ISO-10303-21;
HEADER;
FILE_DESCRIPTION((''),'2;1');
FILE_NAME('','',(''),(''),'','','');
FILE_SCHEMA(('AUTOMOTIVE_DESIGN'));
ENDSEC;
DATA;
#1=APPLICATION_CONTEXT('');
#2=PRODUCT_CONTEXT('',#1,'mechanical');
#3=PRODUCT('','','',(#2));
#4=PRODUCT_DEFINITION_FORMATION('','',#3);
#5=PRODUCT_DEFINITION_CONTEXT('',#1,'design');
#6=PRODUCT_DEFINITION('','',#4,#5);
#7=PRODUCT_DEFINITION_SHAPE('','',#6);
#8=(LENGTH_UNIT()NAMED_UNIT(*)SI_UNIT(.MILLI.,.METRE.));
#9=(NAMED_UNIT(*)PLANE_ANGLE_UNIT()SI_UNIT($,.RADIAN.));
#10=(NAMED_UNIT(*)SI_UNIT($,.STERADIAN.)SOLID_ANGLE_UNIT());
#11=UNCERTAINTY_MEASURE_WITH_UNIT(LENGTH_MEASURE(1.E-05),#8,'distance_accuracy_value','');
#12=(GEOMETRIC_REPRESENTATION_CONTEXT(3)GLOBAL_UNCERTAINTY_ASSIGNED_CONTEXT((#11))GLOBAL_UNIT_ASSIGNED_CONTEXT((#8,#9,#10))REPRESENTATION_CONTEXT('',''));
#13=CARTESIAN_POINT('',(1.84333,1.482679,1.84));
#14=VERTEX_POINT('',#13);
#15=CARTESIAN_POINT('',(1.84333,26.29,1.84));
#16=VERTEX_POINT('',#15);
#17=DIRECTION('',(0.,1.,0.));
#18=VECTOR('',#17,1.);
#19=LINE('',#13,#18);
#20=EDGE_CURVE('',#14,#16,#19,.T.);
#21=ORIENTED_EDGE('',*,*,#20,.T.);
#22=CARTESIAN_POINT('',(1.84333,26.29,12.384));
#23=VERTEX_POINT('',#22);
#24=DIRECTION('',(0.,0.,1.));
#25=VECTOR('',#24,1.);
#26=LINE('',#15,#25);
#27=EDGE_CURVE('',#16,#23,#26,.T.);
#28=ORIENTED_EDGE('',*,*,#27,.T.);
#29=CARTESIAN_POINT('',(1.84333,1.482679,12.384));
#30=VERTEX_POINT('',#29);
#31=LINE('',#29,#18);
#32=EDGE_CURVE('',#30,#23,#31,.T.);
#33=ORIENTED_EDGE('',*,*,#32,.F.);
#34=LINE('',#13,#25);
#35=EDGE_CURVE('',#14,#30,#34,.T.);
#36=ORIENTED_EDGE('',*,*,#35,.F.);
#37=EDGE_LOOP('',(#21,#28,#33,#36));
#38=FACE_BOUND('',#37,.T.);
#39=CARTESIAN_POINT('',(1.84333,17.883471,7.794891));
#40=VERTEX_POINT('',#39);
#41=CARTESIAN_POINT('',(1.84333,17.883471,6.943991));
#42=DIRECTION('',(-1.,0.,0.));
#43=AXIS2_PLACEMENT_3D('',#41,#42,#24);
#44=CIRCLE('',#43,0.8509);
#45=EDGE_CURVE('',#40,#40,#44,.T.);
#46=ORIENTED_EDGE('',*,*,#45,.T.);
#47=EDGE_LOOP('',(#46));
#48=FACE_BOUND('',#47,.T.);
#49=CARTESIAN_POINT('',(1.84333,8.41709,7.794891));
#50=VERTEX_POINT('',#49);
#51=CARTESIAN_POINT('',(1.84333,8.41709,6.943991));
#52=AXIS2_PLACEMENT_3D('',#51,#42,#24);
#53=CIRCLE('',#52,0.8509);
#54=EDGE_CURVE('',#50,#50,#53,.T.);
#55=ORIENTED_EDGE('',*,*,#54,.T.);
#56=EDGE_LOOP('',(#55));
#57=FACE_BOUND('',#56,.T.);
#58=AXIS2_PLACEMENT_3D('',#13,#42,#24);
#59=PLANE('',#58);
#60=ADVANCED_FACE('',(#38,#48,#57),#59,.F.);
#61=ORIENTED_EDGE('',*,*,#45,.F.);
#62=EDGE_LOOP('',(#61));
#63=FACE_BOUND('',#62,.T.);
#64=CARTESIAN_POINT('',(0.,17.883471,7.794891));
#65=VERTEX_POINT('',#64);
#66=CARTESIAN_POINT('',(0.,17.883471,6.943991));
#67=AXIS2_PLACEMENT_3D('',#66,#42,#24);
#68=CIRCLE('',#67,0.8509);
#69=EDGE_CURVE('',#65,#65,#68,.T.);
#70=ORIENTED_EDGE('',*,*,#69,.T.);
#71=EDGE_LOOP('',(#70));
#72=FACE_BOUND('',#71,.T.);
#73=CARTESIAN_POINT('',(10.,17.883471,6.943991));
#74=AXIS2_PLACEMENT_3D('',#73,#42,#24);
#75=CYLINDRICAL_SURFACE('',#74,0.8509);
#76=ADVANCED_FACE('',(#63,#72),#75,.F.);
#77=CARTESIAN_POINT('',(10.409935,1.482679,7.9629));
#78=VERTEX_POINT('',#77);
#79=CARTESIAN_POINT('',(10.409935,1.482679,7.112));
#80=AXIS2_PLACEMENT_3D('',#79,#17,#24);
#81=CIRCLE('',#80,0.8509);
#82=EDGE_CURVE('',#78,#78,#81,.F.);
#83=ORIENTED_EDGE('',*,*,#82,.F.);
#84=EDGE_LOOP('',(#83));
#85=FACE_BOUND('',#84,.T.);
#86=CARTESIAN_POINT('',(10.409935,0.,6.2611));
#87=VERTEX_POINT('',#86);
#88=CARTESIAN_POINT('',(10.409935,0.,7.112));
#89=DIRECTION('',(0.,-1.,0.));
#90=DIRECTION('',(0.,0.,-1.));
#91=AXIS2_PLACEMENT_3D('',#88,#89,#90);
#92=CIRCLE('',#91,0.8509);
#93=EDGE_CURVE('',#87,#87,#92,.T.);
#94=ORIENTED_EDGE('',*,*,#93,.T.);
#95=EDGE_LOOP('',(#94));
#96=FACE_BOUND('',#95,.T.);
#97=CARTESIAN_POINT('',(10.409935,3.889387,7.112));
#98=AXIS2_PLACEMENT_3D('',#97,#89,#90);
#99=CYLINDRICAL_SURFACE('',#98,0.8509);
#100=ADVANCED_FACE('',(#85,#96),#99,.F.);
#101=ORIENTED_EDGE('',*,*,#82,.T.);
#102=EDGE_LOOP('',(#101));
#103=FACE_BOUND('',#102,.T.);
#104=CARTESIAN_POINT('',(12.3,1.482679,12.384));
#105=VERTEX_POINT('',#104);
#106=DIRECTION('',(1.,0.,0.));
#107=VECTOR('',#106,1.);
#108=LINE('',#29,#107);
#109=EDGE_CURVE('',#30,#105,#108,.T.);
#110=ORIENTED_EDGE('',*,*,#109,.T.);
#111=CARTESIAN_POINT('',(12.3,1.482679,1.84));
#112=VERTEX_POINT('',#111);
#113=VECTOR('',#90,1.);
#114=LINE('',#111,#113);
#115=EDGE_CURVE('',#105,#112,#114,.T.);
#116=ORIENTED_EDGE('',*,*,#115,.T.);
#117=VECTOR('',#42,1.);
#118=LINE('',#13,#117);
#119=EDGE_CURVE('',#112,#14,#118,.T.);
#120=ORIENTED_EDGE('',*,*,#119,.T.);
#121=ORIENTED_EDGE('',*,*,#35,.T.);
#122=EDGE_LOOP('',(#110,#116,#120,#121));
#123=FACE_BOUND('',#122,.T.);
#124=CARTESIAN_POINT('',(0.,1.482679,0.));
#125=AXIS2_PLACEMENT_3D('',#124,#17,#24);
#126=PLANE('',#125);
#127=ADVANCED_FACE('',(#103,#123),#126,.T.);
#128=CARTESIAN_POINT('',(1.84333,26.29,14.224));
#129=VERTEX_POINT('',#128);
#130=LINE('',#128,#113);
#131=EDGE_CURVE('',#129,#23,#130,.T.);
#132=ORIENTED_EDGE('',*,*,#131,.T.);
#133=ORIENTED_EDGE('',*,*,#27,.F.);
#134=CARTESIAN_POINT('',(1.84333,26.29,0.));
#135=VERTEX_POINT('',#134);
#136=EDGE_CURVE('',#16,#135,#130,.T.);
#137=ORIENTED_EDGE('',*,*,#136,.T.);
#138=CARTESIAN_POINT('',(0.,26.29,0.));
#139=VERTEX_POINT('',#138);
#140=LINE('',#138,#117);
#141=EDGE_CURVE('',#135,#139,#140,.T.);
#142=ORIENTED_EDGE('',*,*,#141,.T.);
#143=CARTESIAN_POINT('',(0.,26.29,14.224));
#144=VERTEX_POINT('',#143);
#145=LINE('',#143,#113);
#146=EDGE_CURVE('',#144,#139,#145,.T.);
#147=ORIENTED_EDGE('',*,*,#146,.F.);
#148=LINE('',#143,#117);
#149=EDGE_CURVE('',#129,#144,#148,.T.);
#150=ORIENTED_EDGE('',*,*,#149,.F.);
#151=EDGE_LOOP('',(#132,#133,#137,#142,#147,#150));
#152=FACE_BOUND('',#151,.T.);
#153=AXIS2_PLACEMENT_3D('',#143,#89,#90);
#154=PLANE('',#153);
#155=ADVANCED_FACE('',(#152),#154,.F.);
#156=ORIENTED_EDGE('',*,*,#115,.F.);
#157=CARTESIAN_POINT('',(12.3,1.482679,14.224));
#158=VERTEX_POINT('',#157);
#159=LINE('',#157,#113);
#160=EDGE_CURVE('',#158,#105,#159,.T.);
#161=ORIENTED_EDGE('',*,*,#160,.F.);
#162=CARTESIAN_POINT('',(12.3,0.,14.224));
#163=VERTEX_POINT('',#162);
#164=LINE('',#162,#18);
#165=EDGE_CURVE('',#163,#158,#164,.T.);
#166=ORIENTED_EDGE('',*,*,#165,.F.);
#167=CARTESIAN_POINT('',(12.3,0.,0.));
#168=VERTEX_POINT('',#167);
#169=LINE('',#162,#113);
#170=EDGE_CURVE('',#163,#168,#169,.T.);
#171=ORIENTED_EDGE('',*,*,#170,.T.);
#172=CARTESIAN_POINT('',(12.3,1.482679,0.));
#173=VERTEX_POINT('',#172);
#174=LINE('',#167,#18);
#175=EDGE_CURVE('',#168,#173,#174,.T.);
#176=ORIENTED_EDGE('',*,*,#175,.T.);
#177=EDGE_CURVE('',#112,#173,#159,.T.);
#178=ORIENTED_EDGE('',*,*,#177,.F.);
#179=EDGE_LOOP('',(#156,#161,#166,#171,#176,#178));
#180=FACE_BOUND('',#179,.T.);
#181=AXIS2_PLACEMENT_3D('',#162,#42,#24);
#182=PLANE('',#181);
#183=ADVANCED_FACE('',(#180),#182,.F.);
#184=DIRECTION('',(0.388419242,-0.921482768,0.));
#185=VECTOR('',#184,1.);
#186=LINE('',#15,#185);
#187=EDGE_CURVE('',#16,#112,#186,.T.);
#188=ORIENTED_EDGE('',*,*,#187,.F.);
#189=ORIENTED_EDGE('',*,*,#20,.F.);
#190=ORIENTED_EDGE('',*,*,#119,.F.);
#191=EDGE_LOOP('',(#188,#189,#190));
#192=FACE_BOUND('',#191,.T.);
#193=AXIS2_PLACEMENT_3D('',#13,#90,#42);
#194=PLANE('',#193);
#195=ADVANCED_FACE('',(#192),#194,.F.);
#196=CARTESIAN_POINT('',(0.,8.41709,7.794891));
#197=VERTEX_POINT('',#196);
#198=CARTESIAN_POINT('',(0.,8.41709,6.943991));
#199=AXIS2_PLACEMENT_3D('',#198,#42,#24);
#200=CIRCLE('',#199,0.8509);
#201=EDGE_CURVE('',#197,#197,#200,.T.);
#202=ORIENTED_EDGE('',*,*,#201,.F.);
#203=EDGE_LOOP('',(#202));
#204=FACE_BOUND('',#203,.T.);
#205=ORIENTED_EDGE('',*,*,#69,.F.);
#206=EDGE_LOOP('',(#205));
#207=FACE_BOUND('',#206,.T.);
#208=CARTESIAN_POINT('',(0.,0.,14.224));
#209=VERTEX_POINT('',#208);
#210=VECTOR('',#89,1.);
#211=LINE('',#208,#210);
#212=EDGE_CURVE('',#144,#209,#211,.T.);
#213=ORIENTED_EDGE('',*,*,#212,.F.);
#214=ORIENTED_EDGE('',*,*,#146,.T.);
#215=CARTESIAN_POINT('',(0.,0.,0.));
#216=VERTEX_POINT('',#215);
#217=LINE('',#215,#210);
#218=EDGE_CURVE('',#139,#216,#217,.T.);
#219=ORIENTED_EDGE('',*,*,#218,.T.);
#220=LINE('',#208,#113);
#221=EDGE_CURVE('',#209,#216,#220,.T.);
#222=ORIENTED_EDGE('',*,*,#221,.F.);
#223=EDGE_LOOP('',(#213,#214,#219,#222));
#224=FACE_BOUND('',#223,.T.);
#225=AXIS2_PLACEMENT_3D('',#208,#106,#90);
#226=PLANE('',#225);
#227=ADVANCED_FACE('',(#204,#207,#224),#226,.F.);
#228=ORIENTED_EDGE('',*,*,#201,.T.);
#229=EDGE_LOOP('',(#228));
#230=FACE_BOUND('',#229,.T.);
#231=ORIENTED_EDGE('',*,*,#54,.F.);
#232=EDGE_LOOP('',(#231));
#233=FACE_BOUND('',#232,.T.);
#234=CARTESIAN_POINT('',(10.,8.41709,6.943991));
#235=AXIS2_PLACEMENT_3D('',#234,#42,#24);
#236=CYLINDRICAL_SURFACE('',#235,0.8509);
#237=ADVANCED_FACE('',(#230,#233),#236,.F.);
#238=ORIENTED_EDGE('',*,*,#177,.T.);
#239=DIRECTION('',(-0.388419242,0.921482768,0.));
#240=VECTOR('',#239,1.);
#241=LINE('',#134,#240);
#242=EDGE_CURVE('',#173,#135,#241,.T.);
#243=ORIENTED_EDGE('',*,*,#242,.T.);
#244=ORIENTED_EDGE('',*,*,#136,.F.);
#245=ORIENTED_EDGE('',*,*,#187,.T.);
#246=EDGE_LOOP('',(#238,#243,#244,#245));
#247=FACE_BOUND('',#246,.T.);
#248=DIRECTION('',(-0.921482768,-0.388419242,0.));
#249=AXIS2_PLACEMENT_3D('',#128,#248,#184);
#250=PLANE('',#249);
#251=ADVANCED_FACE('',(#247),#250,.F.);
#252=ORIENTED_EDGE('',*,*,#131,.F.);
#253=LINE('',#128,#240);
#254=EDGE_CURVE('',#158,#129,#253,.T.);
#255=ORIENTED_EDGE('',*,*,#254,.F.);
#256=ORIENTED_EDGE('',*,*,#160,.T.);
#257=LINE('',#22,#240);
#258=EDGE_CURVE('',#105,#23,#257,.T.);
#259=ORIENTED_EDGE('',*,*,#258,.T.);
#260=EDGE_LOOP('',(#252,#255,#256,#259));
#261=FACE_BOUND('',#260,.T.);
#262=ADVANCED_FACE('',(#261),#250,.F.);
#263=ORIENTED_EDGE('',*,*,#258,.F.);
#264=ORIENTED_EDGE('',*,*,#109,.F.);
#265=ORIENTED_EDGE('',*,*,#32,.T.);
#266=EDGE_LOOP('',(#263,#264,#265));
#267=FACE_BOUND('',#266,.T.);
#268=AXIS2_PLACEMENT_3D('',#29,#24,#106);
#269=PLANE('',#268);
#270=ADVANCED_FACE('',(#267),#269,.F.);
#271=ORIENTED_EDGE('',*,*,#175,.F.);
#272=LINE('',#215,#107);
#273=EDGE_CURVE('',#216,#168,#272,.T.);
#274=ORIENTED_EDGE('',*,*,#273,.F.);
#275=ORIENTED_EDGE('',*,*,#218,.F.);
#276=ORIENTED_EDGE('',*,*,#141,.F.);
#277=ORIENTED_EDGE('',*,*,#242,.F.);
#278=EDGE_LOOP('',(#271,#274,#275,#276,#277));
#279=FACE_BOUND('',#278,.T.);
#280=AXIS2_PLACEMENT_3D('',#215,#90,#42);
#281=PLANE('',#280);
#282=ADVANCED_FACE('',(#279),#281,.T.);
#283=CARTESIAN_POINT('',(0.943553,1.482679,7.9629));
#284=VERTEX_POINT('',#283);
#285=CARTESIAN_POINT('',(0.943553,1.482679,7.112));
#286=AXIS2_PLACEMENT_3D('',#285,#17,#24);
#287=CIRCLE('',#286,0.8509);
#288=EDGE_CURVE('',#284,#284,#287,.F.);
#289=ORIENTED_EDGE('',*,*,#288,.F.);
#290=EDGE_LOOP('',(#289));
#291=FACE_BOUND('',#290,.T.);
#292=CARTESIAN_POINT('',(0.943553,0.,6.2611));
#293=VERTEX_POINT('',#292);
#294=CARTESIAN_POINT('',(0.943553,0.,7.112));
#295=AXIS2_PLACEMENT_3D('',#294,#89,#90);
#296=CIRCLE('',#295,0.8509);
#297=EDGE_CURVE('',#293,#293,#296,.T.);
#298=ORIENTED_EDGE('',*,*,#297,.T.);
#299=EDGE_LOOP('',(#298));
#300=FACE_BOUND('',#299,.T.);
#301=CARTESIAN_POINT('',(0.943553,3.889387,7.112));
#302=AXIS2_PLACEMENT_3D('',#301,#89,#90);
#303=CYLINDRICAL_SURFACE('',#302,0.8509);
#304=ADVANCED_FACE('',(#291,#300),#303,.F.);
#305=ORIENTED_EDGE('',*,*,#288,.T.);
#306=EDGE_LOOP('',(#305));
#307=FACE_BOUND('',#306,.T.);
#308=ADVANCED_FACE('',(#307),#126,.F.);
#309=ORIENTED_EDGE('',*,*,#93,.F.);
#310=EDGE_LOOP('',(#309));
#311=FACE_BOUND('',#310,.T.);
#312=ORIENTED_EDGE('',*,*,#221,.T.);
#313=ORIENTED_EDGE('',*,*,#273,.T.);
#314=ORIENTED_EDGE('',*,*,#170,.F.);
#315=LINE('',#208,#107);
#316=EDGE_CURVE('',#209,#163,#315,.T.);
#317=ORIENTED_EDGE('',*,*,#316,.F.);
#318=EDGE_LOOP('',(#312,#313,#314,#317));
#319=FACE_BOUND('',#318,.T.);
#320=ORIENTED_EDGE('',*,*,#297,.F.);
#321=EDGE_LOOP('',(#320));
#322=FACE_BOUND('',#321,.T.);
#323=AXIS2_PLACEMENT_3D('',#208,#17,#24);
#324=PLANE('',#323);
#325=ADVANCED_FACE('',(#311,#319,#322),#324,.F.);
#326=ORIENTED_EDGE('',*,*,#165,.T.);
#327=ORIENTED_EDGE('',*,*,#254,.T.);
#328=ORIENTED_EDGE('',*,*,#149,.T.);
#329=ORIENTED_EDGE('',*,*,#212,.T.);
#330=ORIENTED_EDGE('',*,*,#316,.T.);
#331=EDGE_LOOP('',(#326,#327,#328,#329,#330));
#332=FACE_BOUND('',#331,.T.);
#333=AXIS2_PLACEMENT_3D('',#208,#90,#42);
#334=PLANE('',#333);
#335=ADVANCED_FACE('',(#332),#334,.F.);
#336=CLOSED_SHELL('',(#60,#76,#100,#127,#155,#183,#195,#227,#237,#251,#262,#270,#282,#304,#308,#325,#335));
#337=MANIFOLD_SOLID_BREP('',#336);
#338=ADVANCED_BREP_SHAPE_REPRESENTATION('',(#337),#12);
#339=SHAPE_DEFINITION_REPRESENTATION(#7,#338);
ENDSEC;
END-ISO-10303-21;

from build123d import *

# Parameters (mm, degrees)
BOSS_EXTRUDE1_DEPTH = 14.224
SKETCH2_W           = 10.456669683
SKETCH2_H           = 10.544
CUT_EXTRUDE1_DEPTH  = 24.807321
SKETCH3_R           = 0.8509
CUT_EXTRUDE2_DEPTH  = 10
SKETCH4_R           = 0.8509
CUT_EXTRUDE3_DEPTH  = 1.482678733


with BuildPart() as part:
    # Sketch1 → Boss-Extrude1 (new body)
    with BuildSketch(Plane.XY):
        Polygon((1.843330317, 26.29), (12.3, 1.482678733), (12.3, 0), (0, 0), (0, 26.29), align=None)
    extrude(amount=BOSS_EXTRUDE1_DEPTH)

    # Sketch2 → Cut-Extrude1 (cut)
    with BuildSketch(Plane(origin=(0, 26.29, 0), x_dir=(1, 0, 0), z_dir=(0, 1, 0))):
        with Locations((7.071665159, -7.112)):
            Rectangle(SKETCH2_W, SKETCH2_H)
    extrude(amount=-CUT_EXTRUDE1_DEPTH, mode=Mode.SUBTRACT)

    # Sketch3 → Cut-Extrude2 (cut)
    with BuildSketch(Plane.ZY):
        with Locations((6.943990858, 17.883471262)):
            Circle(SKETCH3_R)
        with Locations((6.943990858, 8.417089843)):
            Circle(SKETCH3_R)
    extrude(amount=-CUT_EXTRUDE2_DEPTH, mode=Mode.SUBTRACT)

    # Sketch4 → Cut-Extrude3 (cut)
    with BuildSketch(Plane.XZ):
        with Locations(Location((10.409934908, 7.112, 0), (0, 0, 270))):
            Circle(SKETCH4_R)
        with Locations(Location((0.943553489, 7.112, 0), (0, 0, 270))):
            Circle(SKETCH4_R)
    extrude(amount=-CUT_EXTRUDE3_DEPTH, mode=Mode.SUBTRACT)


solid = part.part
